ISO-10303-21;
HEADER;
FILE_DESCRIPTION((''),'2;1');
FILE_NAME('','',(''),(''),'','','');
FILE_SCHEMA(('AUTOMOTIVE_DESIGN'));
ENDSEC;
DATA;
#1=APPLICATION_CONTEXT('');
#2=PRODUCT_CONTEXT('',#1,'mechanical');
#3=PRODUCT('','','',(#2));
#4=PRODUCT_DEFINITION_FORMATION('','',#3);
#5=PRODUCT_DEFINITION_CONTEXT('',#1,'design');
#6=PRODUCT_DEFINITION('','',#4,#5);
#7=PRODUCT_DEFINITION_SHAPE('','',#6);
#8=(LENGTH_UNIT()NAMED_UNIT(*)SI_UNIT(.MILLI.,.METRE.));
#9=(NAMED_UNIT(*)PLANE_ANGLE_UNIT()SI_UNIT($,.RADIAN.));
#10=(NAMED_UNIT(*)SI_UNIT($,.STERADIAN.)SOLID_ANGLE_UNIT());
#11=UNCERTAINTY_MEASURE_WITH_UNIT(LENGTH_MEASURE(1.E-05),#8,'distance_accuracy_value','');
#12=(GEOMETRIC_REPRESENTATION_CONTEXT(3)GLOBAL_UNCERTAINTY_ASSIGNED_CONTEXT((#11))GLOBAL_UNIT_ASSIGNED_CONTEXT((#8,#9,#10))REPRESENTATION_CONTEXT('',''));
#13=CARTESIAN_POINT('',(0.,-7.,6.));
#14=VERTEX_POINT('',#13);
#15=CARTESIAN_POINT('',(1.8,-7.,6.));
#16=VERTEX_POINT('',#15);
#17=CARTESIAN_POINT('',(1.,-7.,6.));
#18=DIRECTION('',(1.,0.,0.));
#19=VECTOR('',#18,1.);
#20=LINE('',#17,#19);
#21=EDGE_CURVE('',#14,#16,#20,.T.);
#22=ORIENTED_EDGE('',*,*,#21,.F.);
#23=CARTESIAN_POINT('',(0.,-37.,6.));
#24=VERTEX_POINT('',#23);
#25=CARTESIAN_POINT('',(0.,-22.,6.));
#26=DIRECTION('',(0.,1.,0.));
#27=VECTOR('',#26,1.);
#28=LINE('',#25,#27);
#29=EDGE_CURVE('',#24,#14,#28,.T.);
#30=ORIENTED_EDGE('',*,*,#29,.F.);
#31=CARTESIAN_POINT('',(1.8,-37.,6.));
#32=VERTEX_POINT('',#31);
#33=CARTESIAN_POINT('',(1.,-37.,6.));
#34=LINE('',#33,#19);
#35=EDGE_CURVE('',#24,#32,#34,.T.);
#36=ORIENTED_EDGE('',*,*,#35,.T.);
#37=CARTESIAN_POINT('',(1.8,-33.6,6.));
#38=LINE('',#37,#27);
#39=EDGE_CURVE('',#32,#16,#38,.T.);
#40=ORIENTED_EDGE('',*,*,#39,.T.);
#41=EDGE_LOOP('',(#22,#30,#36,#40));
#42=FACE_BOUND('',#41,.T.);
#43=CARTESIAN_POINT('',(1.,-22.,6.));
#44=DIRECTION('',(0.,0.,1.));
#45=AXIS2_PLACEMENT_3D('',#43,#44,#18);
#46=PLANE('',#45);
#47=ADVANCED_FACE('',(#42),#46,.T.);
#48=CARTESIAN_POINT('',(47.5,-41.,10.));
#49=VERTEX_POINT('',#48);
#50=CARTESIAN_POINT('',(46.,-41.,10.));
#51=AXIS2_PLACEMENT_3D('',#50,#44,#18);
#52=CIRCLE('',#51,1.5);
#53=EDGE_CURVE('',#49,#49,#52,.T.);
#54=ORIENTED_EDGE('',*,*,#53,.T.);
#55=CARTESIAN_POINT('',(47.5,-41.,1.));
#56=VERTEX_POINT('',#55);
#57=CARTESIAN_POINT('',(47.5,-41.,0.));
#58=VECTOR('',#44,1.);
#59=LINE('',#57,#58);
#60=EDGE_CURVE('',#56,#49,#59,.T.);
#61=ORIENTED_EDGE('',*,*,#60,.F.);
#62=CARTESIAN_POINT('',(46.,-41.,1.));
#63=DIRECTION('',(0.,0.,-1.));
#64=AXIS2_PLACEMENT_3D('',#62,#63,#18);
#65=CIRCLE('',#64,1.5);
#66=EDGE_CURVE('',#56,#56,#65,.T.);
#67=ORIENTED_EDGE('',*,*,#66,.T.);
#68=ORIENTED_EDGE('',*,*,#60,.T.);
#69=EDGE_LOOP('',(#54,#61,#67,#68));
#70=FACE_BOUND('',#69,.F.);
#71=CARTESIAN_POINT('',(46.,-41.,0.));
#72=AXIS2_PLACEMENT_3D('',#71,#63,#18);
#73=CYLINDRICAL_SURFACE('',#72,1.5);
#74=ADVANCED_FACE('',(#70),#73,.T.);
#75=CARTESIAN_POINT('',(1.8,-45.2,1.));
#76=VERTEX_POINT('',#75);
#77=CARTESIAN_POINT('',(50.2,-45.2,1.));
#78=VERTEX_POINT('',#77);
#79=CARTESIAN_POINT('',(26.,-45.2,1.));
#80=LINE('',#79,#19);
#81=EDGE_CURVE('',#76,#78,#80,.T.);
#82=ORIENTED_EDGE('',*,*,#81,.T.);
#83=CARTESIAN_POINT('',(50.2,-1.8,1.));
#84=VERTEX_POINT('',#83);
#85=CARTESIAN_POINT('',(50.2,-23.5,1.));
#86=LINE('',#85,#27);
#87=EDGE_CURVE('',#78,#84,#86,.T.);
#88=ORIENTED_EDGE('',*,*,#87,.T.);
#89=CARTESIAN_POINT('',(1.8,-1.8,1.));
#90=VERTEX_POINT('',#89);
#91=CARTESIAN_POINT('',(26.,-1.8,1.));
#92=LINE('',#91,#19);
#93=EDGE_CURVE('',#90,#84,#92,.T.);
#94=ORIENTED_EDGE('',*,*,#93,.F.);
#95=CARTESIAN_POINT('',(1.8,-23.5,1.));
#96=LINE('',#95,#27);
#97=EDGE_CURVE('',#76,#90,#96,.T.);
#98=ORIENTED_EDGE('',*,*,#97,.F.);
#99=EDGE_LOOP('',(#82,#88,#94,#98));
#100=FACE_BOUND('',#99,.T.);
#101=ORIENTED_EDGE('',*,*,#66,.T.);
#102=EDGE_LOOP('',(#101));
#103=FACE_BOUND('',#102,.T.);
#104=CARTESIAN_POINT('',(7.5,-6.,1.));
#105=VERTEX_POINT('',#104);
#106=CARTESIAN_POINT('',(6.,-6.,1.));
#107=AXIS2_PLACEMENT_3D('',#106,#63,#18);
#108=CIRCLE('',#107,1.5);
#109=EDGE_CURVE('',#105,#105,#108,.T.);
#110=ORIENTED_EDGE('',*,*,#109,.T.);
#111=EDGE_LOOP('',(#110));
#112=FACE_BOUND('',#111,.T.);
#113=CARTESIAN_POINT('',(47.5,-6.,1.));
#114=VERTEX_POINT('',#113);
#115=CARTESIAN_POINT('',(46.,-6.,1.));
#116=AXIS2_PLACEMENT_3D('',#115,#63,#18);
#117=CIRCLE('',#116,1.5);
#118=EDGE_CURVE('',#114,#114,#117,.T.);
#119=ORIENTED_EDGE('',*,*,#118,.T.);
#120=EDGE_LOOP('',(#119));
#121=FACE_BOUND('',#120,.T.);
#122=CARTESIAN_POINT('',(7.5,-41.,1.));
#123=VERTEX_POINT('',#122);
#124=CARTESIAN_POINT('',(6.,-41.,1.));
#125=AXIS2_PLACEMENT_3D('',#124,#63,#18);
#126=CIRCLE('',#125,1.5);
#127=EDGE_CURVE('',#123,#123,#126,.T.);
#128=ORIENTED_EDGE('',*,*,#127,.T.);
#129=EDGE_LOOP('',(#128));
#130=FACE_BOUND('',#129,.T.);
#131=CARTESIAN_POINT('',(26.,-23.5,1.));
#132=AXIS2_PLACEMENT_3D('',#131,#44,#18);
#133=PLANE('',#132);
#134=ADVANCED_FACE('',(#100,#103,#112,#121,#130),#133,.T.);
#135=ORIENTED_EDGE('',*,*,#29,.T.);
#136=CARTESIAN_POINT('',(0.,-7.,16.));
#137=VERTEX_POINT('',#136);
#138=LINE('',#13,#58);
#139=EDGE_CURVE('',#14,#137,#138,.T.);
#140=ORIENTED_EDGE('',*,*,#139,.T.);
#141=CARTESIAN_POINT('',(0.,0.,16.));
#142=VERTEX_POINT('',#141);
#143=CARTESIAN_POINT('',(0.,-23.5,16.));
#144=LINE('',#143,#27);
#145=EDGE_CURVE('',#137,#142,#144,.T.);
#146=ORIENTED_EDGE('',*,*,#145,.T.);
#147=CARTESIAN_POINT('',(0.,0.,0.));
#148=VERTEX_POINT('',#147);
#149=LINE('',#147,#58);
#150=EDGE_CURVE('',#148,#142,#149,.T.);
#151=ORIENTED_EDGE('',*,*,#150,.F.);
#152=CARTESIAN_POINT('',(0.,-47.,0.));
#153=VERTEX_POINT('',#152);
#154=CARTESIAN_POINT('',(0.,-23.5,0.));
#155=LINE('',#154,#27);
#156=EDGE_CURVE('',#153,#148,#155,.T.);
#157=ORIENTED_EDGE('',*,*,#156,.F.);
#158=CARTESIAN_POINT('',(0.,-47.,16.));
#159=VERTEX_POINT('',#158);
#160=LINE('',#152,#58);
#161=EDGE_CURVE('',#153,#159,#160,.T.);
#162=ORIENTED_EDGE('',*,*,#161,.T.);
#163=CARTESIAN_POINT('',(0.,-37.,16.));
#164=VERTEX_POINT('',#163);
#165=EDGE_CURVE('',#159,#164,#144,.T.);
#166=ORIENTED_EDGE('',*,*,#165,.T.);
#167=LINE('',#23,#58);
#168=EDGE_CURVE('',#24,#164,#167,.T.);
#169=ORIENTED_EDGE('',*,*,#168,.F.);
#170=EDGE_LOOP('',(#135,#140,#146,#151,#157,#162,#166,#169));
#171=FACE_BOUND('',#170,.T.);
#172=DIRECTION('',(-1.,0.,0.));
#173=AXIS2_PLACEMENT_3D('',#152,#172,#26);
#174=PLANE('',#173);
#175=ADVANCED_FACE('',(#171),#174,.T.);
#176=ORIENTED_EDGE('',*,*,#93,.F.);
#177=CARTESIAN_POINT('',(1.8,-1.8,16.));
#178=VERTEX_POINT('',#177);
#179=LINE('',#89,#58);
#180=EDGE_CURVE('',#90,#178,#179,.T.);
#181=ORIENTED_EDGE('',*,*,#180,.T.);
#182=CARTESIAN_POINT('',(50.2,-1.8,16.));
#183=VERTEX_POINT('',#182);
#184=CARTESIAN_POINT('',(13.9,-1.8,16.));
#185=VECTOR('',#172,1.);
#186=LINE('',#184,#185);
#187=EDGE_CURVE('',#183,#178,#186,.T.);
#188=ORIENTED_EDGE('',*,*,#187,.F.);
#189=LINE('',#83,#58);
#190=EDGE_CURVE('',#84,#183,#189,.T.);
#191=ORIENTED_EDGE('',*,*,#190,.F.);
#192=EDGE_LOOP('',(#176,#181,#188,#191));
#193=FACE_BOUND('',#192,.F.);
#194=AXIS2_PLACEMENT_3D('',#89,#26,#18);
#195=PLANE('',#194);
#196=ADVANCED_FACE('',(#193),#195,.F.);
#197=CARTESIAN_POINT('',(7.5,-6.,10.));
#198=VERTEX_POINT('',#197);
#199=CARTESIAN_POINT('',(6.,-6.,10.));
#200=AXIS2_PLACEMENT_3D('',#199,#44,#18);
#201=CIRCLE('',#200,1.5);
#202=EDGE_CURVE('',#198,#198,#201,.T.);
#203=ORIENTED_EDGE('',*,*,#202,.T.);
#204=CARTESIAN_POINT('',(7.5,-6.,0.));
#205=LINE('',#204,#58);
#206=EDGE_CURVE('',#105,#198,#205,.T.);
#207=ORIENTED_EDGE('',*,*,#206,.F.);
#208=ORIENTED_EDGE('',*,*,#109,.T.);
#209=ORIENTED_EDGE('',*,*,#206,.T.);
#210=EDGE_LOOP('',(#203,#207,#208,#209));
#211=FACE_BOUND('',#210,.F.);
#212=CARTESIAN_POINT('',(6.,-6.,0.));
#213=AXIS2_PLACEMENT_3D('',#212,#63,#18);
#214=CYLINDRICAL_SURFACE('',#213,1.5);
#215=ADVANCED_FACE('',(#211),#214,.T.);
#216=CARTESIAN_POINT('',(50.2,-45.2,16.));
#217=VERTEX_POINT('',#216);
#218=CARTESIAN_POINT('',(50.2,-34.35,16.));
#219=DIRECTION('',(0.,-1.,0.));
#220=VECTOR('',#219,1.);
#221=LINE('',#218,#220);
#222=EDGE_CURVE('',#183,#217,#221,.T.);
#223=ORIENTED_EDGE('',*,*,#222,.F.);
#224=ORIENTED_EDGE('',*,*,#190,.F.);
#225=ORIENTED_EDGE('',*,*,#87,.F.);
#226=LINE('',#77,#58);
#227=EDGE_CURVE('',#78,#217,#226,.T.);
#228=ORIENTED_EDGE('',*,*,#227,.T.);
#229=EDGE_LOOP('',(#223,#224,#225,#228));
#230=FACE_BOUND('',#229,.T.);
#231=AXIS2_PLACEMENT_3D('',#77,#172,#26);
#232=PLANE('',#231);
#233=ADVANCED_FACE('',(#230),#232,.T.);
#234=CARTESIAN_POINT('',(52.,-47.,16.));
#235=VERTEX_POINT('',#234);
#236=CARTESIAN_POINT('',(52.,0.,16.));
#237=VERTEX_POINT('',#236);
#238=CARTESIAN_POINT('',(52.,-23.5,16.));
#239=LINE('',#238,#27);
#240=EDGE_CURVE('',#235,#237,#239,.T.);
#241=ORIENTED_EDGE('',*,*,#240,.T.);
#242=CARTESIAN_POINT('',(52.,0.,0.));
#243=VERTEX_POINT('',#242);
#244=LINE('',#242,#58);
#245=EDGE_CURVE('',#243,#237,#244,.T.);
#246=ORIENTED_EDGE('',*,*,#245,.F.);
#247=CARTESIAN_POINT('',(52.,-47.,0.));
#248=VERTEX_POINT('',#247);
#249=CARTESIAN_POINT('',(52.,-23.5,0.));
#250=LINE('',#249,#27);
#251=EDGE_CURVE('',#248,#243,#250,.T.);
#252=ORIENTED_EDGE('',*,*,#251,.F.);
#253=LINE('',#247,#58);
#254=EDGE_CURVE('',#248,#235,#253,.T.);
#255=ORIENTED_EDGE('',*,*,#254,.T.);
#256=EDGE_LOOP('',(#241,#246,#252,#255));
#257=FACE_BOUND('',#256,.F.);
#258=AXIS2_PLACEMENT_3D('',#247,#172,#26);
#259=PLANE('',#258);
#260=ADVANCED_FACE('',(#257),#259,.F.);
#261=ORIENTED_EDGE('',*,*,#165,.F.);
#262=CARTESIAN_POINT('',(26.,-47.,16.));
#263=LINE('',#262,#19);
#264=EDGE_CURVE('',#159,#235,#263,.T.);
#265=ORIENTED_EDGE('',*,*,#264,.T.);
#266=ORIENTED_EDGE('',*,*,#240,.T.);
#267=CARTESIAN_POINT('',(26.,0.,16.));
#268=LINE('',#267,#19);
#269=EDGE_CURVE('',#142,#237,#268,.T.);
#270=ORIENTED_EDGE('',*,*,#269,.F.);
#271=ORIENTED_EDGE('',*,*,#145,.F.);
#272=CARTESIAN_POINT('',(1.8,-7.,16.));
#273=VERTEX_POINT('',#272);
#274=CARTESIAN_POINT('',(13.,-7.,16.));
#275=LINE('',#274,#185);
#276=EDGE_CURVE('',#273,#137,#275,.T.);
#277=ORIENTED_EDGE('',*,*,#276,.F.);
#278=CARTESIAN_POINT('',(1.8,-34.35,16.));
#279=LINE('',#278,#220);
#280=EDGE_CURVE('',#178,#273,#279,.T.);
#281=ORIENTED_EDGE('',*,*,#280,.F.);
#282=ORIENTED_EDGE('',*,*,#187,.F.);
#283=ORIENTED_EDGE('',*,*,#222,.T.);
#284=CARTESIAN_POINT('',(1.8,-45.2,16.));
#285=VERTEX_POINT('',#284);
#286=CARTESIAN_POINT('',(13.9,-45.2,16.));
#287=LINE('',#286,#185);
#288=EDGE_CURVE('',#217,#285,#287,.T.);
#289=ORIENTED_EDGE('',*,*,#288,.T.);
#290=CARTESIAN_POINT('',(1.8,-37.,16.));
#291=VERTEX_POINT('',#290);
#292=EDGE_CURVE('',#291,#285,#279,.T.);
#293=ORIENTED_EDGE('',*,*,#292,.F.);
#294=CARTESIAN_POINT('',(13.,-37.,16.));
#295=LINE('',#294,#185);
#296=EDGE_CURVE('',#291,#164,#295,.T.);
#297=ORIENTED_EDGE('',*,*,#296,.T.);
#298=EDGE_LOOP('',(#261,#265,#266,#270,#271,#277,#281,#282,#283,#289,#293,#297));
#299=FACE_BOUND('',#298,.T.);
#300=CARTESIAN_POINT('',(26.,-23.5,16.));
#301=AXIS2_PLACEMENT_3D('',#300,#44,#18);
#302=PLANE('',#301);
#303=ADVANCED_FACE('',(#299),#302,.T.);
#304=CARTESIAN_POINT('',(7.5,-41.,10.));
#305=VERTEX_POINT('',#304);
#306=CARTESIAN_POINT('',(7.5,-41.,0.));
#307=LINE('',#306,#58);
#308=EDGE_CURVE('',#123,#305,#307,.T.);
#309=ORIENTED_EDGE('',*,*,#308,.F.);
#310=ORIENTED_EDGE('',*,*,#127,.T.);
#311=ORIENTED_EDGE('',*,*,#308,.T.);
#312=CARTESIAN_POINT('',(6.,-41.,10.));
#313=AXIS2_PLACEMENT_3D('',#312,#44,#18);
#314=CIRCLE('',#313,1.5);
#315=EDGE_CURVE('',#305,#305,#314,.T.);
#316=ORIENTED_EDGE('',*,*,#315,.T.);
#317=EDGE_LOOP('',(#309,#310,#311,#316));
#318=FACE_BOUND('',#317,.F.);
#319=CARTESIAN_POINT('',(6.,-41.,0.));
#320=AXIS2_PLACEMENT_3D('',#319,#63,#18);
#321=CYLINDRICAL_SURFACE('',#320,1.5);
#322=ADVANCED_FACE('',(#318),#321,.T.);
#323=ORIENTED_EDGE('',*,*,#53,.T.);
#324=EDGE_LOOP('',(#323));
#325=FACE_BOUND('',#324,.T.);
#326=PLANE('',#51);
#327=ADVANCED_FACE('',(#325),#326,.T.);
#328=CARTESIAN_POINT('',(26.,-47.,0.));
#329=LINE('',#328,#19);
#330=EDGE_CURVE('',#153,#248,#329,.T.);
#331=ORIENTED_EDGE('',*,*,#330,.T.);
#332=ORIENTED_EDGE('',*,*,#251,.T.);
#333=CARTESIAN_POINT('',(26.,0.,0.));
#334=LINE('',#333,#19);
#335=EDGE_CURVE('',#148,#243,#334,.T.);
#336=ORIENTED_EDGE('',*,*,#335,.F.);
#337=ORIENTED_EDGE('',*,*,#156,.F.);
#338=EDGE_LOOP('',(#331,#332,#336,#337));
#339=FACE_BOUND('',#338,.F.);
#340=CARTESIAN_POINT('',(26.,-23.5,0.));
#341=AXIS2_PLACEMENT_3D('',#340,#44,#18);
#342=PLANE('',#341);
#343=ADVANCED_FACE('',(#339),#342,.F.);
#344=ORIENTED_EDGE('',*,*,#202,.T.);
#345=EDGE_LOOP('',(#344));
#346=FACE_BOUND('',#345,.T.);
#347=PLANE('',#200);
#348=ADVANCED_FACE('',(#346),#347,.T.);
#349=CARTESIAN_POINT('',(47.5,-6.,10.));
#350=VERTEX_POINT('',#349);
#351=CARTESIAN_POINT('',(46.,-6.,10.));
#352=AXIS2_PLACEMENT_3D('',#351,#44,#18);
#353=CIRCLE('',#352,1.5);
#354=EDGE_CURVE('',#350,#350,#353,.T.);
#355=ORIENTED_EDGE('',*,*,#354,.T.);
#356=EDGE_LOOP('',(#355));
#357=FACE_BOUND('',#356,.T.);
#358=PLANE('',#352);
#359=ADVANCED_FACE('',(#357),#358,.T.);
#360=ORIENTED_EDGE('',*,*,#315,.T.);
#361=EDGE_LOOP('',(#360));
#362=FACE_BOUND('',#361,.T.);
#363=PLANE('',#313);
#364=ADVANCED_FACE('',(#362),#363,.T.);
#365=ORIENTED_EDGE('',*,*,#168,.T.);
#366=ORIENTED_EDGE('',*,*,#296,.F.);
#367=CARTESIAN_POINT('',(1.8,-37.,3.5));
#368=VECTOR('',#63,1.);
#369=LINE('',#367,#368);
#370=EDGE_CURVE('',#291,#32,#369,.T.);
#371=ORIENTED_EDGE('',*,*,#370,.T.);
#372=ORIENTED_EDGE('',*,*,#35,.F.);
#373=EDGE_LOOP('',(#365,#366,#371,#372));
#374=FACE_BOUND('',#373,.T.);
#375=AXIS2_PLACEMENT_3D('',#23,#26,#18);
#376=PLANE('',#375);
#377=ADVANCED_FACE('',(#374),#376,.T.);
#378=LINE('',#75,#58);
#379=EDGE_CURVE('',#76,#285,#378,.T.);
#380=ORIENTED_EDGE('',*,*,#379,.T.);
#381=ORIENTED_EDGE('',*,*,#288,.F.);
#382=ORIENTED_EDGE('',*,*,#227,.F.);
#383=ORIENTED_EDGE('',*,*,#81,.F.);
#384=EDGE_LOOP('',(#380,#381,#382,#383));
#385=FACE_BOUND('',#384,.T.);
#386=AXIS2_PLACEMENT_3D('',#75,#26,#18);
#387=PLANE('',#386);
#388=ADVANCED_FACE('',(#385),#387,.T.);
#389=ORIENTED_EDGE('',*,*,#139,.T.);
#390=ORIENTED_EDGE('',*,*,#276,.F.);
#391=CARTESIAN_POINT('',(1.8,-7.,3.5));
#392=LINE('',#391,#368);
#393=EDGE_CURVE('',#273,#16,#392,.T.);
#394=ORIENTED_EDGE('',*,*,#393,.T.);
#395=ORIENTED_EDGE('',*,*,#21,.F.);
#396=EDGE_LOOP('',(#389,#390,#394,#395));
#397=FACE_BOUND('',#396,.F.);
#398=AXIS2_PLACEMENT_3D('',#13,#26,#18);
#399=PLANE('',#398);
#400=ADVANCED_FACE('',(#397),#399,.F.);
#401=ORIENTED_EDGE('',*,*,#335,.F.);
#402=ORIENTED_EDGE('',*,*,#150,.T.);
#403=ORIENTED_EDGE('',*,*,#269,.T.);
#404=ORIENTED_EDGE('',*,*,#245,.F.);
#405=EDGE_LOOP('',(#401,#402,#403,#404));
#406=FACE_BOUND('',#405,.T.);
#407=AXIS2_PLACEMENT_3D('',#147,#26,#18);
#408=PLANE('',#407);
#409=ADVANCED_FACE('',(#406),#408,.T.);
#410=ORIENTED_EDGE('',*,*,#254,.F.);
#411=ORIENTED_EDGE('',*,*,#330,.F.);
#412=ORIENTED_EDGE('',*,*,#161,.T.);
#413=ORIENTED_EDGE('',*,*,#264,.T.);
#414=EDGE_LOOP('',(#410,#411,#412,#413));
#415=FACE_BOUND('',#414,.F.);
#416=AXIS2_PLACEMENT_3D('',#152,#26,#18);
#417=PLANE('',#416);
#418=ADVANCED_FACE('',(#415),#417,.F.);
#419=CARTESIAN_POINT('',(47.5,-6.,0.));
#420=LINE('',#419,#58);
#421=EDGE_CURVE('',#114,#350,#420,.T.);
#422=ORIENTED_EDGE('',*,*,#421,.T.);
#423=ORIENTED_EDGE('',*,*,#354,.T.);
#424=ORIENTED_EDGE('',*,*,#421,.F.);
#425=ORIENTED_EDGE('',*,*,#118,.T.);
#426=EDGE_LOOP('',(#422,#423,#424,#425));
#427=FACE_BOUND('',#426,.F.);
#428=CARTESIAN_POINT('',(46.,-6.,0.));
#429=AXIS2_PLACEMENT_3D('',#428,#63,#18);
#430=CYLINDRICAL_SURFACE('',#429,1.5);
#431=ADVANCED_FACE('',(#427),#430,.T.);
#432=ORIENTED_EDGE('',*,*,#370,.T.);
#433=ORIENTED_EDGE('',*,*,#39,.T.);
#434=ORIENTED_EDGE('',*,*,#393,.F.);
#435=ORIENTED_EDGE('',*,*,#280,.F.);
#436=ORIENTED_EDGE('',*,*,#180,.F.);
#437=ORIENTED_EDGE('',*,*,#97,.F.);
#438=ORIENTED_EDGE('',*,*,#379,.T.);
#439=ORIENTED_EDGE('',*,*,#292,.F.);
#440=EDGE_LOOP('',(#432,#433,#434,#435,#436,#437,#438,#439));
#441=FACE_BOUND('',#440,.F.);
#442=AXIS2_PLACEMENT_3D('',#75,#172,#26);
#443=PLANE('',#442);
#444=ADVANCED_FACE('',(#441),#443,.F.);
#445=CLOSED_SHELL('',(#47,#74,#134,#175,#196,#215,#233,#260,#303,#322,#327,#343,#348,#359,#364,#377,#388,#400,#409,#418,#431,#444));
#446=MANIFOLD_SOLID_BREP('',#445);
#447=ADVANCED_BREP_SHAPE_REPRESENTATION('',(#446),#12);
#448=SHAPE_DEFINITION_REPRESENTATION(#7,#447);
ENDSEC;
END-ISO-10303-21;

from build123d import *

# Parameters (mm, degrees)
SKETCH016_W     = 52
SKETCH016_H     = 47
SKETCH016_W_2   = 48
SKETCH016_H_2   = 43
PAD006_DEPTH    = 16
SKETCH018_W     = 48
SKETCH018_H     = 43
SKETCH018_R     = 0.5
PAD007_DEPTH    = 1
SKETCH019_R     = 1.5
PAD008_DEPTH    = 10
SKETCH017_W     = 48.4
SKETCH017_H     = 43.4
SKETCH017_W_2   = 45.439167
SKETCH017_H_2   = 40.049149
POCKET005_DEPTH = 15.001
SKETCH020_W     = 2
SKETCH020_H     = 30
POCKET006_DEPTH = 10.001


with BuildPart() as part:
    # Sketch016 → Pad006 (new body)
    with BuildSketch(Plane.XY):
        with Locations((26, 23.5)):
            Rectangle(SKETCH016_W, SKETCH016_H)
        with Locations((26, 23.5)):
            Rectangle(SKETCH016_W_2, SKETCH016_H_2, mode=Mode.SUBTRACT)
    extrude(amount=PAD006_DEPTH)

    # Sketch018 → Pad007 (join)
    with BuildSketch(Plane.XY):
        with Locations((26, 23.5)):
            Rectangle(SKETCH018_W, SKETCH018_H)
        with Locations((6, 41)):
            Circle(SKETCH018_R, mode=Mode.SUBTRACT)
        with Locations((6, 6)):
            Circle(SKETCH018_R, mode=Mode.SUBTRACT)
        with Locations((46, 6)):
            Circle(SKETCH018_R, mode=Mode.SUBTRACT)
        with Locations((46, 41)):
            Circle(SKETCH018_R, mode=Mode.SUBTRACT)
    extrude(amount=PAD007_DEPTH)

    # Sketch019 → Pad008 (join)
    with BuildSketch(Plane.XY):
        with Locations((6, 41)):
            Circle(SKETCH019_R)
        with Locations((6, 6)):
            Circle(SKETCH019_R)
        with Locations((46, 6)):
            Circle(SKETCH019_R)
        with Locations((46, 41)):
            Circle(SKETCH019_R)
    extrude(amount=PAD008_DEPTH)

    # Sketch017 → Pocket005 (cut, through all)
    with BuildSketch(Plane.XY.offset(1)):
        with Locations((26, 23.5)):
            Rectangle(SKETCH017_W, SKETCH017_H)
        with Locations((26.011635, 23.557234)):
            Rectangle(SKETCH017_W_2, SKETCH017_H_2, mode=Mode.SUBTRACT)
    extrude(amount=POCKET005_DEPTH, mode=Mode.SUBTRACT)

    # Sketch020 → Pocket006 (cut, through all)
    with BuildSketch(Plane.XY.offset(6)):
        with Locations((1, 25)):
            Rectangle(SKETCH020_W, SKETCH020_H)
    extrude(amount=POCKET006_DEPTH, mode=Mode.SUBTRACT)


with BuildPart() as part_1:
    # Body003 placement: moved
    add(part.part.moved(Location((0, -47, 0))))


solid = part_1.part
